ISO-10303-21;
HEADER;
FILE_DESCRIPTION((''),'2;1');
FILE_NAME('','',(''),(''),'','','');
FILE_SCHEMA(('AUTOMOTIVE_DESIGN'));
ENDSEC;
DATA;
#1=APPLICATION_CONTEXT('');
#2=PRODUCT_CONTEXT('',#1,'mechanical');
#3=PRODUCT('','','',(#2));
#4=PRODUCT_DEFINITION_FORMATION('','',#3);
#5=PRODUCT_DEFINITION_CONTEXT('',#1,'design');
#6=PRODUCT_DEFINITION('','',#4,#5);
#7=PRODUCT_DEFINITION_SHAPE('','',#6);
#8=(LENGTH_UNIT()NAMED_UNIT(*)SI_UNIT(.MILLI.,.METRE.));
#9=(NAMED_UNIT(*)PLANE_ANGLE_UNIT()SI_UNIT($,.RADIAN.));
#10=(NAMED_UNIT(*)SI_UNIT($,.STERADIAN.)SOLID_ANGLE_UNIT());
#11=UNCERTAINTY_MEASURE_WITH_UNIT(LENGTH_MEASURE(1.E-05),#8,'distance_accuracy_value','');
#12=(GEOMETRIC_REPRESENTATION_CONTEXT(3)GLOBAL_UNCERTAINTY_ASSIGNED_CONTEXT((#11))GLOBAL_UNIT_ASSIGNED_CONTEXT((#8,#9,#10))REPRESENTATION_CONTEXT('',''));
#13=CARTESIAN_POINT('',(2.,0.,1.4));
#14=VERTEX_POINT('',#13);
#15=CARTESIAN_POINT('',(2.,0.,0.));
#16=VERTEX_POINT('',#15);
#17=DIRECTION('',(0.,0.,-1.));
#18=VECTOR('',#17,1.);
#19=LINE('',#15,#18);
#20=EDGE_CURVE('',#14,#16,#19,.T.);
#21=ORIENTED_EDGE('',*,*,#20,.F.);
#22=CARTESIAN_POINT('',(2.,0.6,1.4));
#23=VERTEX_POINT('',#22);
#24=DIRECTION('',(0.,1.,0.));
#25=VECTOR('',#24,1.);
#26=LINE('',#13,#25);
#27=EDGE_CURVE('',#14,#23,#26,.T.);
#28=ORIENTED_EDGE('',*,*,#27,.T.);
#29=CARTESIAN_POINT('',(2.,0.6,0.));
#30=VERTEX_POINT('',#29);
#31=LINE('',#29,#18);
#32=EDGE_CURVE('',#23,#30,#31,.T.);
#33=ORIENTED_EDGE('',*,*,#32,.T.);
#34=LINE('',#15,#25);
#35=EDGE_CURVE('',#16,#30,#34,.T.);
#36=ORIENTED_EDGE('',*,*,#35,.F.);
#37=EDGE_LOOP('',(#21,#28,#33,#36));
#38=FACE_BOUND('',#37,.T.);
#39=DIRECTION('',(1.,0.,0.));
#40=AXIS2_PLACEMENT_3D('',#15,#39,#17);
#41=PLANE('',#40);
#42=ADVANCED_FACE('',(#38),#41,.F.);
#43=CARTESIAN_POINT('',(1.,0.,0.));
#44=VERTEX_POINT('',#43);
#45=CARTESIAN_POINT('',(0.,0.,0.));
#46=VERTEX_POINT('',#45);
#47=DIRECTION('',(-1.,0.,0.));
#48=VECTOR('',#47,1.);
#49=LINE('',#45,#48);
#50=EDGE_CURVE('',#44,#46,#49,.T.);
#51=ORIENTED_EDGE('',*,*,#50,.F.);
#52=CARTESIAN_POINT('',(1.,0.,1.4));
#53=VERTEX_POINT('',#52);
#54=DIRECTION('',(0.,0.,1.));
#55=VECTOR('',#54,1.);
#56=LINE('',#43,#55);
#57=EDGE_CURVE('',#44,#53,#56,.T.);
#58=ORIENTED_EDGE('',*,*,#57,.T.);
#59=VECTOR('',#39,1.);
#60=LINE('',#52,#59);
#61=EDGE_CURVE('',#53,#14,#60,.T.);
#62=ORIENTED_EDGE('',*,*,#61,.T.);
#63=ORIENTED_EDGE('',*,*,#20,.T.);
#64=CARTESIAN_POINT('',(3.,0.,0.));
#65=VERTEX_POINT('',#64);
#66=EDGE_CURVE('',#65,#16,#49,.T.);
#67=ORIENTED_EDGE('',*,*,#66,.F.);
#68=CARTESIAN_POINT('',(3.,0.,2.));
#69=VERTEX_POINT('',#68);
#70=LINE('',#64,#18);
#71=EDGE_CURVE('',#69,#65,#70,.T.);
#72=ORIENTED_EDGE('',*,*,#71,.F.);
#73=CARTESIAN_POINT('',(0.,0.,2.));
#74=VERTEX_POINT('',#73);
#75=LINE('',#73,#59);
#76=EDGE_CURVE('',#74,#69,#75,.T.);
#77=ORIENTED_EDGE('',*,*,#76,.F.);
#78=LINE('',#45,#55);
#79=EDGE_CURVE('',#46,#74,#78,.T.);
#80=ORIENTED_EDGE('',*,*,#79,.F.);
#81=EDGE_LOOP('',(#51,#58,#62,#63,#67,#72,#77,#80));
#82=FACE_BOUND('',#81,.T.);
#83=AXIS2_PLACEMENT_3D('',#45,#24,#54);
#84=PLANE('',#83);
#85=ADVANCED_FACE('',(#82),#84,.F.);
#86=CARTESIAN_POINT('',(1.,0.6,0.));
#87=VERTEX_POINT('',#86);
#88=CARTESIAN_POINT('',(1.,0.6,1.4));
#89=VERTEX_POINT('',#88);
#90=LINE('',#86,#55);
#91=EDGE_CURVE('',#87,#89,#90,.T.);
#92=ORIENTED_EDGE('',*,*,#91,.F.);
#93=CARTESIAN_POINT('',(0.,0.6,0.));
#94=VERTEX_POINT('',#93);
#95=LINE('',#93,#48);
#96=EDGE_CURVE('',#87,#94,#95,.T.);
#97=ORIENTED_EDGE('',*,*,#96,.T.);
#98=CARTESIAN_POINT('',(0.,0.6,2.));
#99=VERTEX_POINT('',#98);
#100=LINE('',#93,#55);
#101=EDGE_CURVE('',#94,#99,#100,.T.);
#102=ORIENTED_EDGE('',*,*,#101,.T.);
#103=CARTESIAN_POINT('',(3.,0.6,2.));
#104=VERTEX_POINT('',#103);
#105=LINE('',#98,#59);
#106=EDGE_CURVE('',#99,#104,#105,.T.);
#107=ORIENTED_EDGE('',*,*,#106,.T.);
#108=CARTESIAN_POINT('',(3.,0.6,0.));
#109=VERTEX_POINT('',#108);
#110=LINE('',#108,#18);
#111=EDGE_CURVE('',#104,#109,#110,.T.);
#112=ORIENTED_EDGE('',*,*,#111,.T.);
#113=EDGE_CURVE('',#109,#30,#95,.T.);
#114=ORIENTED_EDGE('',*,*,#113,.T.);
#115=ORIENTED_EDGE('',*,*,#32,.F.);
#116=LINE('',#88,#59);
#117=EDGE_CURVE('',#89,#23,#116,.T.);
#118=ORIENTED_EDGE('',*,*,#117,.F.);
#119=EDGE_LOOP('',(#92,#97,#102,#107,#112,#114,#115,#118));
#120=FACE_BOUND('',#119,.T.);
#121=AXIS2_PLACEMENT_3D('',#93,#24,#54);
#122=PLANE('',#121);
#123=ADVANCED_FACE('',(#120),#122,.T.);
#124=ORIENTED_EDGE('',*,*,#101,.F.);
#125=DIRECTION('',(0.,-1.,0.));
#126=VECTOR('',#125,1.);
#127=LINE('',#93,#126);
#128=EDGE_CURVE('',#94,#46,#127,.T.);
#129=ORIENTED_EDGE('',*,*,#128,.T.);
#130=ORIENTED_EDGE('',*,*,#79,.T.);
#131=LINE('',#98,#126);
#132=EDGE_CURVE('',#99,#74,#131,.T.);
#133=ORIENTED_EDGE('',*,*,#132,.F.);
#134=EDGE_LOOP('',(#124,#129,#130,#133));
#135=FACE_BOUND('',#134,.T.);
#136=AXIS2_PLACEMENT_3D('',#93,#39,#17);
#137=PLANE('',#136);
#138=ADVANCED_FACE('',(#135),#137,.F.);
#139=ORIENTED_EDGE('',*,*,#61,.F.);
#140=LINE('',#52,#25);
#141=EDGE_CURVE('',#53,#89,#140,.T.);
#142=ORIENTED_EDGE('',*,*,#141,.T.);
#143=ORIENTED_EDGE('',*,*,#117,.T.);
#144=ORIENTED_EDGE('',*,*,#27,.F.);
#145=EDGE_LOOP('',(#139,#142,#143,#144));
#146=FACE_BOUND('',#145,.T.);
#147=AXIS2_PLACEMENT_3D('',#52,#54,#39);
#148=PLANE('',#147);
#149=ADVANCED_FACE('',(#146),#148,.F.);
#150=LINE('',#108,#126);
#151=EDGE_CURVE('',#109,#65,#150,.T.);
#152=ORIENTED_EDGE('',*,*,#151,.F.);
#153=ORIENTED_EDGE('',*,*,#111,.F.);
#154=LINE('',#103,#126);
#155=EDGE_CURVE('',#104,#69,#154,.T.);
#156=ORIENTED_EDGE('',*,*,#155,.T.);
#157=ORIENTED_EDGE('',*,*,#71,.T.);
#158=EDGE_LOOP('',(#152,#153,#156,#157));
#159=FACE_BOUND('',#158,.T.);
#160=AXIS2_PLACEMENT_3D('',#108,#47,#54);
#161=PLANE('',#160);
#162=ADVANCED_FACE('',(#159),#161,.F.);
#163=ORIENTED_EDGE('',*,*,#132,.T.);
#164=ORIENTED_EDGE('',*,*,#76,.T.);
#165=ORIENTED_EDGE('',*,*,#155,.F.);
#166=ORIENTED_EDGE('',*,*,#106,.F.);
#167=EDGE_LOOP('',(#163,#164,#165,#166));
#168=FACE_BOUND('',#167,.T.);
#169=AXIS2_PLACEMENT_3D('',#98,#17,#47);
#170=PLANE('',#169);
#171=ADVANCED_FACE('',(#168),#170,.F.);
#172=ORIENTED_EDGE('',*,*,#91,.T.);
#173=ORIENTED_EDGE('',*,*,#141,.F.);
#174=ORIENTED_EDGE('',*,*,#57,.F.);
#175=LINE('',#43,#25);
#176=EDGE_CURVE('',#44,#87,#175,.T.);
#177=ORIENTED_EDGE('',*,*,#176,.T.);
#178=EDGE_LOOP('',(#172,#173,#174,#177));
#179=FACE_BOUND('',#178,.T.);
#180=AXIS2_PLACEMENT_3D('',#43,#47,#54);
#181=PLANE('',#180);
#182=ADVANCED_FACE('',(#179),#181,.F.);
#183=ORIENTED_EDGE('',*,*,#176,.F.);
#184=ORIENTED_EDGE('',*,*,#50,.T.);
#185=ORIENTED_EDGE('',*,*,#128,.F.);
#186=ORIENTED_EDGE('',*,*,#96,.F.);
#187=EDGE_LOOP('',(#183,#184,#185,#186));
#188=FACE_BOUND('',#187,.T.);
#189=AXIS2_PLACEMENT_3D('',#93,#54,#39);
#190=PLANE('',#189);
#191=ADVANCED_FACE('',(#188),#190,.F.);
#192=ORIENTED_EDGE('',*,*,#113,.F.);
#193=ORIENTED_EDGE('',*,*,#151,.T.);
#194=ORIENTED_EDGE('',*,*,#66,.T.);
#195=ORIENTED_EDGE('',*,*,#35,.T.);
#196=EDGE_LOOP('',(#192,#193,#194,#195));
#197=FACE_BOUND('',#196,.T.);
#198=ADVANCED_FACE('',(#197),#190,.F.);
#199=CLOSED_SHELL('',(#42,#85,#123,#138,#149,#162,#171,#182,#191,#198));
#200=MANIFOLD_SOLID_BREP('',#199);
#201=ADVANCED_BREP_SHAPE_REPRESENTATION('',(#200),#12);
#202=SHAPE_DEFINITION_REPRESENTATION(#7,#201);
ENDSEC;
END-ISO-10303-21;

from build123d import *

# Parameters (mm, degrees)
SKETCH1_W           = 3
SKETCH1_H           = 2
BOSS_EXTRUDE1_DEPTH = 0.6
SKETCH2_W           = 1
SKETCH2_H           = 1.4
CUT_EXTRUDE1_DEPTH  = 0.6


with BuildPart() as part:
    # Sketch1 → Boss-Extrude1 (new body)
    with BuildSketch(Plane(origin=(0, 0, 0), x_dir=(1, 0, 0), z_dir=(0, 1, 0))):
        with Locations((1.5, -1)):
            Rectangle(SKETCH1_W, SKETCH1_H)
    extrude(amount=BOSS_EXTRUDE1_DEPTH)

    # Sketch2 → Cut-Extrude1 (cut)
    with BuildSketch(Plane(origin=(0, 0.6, 0), x_dir=(1, 0, 0), z_dir=(0, 1, 0))):
        with Locations((1.5, -0.7)):
            Rectangle(SKETCH2_W, SKETCH2_H)
    extrude(amount=-CUT_EXTRUDE1_DEPTH, mode=Mode.SUBTRACT)


solid = part.part
